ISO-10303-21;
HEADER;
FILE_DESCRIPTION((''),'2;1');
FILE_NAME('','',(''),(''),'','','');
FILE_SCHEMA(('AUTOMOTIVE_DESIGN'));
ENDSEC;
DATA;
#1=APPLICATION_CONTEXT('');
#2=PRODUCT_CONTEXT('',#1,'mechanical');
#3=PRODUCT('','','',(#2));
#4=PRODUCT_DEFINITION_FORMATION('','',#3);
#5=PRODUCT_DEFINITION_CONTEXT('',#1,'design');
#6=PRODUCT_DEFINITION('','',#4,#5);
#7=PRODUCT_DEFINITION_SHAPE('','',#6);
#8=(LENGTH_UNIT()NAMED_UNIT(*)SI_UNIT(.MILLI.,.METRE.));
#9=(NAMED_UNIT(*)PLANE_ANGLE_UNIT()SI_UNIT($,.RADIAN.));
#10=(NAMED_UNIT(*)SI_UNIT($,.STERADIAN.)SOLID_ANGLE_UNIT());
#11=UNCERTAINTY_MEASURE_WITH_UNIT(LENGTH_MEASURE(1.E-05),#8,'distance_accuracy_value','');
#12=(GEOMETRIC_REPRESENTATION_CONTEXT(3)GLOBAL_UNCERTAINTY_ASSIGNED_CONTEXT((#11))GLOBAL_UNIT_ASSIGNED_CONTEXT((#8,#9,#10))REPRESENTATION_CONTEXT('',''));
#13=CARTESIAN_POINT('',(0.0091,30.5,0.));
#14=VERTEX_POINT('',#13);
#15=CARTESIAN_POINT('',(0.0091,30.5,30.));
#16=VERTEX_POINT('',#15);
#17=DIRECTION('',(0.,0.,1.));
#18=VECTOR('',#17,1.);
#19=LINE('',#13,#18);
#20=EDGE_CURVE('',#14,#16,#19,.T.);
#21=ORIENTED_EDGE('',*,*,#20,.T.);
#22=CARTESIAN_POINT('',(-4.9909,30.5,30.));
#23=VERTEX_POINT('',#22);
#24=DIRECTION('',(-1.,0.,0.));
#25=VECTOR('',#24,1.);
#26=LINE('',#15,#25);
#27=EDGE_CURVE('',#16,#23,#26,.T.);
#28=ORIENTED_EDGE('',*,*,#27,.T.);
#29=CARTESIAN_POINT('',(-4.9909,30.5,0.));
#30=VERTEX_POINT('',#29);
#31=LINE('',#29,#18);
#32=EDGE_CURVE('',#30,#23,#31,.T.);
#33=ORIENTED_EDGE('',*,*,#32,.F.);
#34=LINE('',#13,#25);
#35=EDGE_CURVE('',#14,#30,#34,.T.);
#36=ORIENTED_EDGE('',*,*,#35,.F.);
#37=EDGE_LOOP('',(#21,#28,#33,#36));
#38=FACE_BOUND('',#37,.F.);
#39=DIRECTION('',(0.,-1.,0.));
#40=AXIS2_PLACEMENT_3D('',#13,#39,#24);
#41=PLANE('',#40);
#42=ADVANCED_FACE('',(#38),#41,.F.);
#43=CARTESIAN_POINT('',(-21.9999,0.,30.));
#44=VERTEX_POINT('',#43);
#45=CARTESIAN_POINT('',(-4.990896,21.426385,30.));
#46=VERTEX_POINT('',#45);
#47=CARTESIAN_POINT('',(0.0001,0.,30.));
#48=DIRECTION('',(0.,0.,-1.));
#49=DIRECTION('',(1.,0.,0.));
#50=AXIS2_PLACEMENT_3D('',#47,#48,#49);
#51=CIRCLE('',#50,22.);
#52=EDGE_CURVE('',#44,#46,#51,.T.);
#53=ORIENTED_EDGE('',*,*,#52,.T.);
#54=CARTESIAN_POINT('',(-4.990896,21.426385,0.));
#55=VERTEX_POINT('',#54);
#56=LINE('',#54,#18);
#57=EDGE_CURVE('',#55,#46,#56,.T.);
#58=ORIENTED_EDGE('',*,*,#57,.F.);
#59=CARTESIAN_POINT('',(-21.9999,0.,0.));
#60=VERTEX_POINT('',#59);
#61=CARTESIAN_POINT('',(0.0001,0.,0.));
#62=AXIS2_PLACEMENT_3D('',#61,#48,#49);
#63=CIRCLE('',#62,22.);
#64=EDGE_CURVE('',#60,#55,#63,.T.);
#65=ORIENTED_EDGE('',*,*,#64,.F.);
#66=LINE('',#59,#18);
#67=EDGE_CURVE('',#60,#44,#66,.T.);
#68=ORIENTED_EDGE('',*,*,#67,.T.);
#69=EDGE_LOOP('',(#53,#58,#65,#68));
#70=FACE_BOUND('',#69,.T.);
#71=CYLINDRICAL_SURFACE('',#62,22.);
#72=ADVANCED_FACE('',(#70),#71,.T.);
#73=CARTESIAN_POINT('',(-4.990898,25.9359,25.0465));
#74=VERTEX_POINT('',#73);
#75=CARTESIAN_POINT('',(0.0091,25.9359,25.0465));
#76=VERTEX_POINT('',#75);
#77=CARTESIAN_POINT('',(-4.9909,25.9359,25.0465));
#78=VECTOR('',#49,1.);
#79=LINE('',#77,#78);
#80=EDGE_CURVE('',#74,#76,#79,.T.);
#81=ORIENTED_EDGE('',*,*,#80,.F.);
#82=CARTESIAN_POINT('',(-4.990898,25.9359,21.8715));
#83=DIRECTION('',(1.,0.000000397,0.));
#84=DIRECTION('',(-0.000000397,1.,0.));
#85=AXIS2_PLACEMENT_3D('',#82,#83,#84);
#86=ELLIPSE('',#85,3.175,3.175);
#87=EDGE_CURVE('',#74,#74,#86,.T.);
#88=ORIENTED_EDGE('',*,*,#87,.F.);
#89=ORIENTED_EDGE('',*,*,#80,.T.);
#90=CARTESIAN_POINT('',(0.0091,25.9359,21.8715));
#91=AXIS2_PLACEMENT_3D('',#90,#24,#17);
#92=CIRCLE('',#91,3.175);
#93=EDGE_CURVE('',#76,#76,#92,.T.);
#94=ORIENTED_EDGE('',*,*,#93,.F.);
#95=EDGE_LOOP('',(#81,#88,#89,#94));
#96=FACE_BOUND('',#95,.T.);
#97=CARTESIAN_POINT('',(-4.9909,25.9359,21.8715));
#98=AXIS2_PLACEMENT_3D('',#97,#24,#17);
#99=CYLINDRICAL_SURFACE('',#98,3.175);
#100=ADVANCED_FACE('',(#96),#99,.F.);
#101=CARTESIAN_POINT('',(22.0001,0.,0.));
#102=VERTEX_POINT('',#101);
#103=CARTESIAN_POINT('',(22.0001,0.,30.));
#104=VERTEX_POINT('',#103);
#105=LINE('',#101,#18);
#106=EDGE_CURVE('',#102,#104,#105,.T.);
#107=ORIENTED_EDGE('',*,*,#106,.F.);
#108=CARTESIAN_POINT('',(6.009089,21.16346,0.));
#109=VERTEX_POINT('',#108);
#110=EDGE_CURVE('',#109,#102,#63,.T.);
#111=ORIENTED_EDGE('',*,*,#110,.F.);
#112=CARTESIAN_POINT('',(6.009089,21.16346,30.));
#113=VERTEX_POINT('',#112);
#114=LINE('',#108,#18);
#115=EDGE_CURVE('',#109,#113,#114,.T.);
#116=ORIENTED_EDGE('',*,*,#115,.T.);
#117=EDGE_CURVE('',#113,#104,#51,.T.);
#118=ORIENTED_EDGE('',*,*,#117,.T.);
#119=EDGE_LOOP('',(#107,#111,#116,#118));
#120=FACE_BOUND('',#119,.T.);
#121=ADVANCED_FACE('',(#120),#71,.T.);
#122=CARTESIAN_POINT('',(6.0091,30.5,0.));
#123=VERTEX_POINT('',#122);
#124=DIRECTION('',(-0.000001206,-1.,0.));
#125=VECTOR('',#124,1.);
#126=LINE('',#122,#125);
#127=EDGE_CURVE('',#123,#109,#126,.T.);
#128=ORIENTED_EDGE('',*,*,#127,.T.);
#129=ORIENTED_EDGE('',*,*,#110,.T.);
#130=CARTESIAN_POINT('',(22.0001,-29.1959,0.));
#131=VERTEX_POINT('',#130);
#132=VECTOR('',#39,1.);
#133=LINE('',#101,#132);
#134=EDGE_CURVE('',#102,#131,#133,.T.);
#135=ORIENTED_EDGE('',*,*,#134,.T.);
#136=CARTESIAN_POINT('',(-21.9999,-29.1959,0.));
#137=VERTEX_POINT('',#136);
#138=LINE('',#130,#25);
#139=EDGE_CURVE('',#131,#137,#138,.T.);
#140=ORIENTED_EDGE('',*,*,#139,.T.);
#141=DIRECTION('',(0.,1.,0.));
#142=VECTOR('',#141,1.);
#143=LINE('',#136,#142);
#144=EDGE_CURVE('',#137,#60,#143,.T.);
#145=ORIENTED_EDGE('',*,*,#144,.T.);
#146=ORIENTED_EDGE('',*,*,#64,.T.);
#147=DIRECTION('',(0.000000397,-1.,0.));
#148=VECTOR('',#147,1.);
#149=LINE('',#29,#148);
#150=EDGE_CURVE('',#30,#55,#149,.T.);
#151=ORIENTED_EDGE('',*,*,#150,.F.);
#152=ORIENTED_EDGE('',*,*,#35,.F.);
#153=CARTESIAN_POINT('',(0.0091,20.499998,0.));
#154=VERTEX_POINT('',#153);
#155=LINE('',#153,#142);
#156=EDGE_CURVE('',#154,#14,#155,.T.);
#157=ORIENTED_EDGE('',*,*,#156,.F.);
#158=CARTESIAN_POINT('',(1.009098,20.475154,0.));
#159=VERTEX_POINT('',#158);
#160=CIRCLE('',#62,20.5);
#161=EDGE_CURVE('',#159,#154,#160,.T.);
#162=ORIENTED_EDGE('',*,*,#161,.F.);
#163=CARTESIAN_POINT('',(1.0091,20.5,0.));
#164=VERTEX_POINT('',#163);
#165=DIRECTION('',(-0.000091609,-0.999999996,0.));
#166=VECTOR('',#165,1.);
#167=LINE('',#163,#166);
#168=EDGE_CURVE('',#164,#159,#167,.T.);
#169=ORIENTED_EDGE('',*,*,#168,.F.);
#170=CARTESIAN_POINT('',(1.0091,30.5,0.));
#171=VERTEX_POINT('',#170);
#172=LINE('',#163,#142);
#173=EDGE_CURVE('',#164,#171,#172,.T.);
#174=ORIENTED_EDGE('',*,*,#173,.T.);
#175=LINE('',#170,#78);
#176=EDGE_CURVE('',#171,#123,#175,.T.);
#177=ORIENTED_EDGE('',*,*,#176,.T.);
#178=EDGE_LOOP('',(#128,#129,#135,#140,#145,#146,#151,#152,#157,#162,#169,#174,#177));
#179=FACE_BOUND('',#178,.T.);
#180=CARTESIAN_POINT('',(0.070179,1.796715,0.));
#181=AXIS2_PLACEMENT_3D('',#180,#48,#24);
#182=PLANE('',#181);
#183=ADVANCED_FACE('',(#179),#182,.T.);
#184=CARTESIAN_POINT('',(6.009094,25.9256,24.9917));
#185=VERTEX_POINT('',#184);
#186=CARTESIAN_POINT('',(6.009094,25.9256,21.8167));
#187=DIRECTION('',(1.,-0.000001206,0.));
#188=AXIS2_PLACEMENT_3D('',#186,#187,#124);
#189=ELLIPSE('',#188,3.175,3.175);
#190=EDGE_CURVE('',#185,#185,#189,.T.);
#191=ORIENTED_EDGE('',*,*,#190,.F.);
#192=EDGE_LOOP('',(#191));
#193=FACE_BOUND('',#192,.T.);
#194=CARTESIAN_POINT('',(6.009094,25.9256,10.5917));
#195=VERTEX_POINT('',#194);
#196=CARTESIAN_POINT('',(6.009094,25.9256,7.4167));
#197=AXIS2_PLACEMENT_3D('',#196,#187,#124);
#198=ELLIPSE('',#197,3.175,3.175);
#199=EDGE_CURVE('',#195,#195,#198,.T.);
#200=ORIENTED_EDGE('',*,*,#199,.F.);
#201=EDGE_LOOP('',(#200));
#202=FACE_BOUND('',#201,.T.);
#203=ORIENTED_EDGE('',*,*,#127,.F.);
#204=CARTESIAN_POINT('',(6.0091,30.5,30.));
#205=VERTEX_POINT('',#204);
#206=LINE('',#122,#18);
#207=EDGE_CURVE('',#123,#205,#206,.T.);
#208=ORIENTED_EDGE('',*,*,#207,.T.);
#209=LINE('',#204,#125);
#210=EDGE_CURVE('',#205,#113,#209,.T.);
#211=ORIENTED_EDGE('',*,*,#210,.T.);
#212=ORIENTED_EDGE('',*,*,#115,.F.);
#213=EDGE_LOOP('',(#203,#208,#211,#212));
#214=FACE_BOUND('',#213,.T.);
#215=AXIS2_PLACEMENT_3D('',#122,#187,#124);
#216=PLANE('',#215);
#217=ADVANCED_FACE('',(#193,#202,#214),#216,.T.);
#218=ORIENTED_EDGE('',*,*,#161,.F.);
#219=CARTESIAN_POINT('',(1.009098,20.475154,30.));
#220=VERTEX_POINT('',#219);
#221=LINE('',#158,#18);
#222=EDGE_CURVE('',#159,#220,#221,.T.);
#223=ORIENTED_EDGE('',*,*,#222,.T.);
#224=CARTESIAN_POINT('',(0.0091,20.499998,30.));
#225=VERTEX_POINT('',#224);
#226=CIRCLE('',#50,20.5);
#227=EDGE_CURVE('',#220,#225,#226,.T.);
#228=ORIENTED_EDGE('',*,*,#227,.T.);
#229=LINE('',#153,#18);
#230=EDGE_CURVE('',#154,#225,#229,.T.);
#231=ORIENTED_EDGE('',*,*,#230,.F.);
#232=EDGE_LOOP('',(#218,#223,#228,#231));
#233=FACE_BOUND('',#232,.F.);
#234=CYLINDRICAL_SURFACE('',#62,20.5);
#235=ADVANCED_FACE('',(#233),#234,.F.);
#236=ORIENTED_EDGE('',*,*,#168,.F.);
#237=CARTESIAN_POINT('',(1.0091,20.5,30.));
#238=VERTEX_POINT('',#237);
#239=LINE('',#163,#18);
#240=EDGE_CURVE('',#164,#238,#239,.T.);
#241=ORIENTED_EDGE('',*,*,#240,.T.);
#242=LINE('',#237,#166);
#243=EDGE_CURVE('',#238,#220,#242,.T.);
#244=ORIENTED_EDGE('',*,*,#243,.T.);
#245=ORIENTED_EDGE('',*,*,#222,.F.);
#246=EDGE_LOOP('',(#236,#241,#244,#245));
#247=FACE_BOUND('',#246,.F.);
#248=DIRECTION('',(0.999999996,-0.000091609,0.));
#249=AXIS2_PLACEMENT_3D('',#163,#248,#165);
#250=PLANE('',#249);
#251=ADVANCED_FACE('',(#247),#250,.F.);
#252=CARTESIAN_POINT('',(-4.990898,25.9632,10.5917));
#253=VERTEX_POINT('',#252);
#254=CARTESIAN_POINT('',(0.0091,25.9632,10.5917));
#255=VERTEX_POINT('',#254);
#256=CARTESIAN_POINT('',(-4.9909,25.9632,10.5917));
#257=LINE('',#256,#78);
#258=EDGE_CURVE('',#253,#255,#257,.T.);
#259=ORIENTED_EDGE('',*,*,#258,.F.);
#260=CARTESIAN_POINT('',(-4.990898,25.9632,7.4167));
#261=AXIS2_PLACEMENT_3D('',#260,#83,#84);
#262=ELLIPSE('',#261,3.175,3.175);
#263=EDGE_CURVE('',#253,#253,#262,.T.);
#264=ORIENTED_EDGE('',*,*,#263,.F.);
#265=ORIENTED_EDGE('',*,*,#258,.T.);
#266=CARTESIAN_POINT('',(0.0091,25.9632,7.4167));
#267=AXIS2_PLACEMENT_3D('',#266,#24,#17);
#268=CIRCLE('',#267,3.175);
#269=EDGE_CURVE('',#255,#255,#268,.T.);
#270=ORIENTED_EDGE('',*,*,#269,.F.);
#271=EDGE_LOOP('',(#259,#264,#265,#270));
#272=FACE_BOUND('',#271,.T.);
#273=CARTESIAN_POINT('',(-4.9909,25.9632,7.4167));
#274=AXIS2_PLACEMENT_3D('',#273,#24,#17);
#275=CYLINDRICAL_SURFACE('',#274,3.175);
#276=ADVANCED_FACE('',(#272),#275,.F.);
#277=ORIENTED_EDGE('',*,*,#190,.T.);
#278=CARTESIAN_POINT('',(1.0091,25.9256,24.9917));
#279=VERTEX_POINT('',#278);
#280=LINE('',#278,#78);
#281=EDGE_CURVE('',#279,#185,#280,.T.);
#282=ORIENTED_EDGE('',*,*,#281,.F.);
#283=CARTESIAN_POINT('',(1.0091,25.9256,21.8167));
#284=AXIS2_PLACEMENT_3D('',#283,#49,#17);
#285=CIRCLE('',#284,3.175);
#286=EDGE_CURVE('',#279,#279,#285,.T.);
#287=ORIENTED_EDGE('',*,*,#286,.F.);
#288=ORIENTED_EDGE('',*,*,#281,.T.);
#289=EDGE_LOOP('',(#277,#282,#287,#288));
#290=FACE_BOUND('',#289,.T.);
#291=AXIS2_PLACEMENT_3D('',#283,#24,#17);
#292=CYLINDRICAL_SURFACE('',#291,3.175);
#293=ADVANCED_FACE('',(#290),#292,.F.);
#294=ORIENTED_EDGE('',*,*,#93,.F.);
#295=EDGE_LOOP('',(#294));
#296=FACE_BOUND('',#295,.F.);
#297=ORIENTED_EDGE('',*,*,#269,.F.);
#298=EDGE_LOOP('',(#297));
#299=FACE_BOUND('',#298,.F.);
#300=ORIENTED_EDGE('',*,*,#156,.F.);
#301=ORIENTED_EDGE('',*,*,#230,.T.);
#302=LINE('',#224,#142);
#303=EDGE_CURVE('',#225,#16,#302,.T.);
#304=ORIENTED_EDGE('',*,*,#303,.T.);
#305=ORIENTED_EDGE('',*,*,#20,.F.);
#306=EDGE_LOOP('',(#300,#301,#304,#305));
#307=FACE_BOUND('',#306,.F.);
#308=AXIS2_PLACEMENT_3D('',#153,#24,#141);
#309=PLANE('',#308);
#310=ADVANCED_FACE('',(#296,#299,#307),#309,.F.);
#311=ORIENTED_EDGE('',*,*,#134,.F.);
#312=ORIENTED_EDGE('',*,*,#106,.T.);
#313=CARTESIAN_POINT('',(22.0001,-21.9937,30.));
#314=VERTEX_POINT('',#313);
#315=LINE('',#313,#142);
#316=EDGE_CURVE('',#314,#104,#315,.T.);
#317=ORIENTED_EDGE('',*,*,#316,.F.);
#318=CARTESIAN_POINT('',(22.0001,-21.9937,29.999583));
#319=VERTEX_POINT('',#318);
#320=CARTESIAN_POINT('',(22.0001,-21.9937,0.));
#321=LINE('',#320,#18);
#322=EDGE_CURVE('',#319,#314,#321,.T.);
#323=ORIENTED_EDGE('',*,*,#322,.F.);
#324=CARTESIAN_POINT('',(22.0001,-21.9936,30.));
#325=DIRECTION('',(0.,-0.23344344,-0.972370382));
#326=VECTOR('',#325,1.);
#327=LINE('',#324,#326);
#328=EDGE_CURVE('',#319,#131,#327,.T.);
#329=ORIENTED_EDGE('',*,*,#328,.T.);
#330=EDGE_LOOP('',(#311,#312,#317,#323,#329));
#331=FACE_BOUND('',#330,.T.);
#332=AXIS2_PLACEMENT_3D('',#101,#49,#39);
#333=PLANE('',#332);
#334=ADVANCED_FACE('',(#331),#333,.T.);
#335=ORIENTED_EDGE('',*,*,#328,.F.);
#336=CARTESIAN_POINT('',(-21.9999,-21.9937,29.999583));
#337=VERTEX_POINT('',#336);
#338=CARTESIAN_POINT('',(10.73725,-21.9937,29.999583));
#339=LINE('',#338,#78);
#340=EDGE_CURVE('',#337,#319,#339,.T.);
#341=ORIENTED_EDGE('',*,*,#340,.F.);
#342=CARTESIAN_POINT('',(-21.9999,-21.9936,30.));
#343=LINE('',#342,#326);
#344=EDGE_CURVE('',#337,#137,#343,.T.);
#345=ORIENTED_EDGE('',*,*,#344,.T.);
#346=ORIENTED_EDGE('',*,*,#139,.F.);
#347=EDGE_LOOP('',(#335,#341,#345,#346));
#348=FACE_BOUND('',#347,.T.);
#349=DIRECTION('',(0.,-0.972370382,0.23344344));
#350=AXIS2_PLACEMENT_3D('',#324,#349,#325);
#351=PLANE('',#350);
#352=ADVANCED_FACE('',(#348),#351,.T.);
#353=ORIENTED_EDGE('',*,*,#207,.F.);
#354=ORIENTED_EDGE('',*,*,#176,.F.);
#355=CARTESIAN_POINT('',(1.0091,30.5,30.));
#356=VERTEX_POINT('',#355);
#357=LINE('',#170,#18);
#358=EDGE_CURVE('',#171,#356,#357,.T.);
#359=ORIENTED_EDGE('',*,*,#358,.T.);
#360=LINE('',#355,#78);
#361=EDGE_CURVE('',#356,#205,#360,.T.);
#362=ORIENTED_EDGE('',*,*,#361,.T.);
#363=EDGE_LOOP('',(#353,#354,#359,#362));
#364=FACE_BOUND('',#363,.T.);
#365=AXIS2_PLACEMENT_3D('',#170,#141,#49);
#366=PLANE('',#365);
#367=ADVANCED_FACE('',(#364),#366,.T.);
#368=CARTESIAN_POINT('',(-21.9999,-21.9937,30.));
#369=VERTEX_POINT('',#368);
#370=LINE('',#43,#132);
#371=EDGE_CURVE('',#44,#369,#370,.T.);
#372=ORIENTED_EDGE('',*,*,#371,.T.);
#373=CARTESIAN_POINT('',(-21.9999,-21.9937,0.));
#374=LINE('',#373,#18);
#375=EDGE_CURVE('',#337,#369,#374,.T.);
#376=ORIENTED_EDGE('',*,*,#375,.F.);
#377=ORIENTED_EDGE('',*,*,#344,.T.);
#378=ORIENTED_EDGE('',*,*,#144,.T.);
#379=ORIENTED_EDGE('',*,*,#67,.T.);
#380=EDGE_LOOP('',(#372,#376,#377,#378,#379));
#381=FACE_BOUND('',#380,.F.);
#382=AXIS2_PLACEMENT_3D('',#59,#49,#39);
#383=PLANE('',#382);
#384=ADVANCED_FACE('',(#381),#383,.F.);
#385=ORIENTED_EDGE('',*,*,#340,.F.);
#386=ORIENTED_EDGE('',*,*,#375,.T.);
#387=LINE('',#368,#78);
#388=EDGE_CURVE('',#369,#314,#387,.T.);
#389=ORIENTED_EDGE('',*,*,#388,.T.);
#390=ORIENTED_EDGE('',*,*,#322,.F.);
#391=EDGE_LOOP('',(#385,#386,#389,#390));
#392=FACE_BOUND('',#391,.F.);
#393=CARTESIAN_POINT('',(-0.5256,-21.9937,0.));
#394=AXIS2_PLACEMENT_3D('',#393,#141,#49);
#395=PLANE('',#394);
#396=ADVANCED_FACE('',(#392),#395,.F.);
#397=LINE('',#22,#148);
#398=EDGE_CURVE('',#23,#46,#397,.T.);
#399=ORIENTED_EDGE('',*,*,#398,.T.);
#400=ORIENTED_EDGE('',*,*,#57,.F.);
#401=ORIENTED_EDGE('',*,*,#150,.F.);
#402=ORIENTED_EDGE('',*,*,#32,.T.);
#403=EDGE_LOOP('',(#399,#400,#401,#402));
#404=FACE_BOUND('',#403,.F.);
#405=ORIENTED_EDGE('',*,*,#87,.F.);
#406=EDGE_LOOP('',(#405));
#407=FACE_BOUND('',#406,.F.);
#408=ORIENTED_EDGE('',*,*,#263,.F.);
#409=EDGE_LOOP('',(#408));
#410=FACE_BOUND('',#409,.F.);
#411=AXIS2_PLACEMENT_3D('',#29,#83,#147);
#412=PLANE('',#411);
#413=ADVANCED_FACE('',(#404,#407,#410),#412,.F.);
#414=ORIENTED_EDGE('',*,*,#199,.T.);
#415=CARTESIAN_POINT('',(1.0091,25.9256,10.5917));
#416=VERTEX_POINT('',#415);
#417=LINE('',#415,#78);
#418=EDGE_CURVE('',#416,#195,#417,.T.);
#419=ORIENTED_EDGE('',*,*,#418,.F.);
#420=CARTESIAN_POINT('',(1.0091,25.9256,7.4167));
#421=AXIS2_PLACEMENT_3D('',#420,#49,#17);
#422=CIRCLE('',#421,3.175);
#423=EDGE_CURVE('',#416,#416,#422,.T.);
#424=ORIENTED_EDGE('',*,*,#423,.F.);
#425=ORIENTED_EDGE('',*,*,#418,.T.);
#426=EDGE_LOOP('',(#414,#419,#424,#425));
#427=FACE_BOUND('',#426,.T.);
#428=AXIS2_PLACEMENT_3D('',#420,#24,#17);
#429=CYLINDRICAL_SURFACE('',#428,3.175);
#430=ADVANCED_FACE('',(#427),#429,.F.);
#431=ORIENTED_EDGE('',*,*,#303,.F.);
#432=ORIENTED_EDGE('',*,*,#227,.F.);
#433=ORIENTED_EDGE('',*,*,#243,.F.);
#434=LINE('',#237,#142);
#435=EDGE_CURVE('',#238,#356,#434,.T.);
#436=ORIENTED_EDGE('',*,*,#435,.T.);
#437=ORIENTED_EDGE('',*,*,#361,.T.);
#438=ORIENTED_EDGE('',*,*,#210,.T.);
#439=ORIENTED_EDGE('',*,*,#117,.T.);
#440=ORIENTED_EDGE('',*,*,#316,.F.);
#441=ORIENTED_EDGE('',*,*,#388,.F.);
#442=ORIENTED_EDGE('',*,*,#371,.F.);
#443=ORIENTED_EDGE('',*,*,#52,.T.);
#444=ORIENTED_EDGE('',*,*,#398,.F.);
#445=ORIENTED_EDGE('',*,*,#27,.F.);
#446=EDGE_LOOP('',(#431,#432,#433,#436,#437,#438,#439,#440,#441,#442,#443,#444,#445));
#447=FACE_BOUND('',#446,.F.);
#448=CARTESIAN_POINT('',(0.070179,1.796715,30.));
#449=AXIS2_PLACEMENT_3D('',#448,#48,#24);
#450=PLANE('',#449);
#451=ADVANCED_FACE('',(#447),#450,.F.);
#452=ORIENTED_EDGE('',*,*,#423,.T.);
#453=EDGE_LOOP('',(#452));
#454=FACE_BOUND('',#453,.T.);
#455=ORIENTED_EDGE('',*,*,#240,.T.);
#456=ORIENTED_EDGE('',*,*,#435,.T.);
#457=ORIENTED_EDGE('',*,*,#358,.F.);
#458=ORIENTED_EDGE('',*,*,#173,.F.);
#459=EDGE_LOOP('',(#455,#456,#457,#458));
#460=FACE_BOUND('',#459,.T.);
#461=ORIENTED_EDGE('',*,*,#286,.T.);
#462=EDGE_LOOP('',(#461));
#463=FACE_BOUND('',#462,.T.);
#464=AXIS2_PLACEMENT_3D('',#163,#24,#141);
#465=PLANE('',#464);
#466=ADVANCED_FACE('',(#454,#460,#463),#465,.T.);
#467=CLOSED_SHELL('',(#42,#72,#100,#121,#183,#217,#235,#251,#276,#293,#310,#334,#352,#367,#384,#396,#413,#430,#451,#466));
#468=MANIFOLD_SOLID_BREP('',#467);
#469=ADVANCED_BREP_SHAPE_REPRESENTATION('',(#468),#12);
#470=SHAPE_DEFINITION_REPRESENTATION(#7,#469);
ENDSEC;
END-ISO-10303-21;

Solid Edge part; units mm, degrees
sketch "Sketch1" plane through (0, 0, 0) normal (0, 0, 1) x (1, 0, 0)
  line L0 (6.0091, 30.5) -> (6.0091, 21.1635)
  line L1 (22.0001, 0) -> (22.0001, -21.9937)
  line L2 (-0.5256, -21.9937) -> (22.0001, -21.9937)
  line L3 (-0.5256, -21.9937) -> (-21.9999, -21.9937)
  line L4 (-21.9999, 0) -> (-21.9999, -21.9937)
  arc A0 (-21.9999, 0) -> (-4.9909, 21.4264) centre (0.0001, 0) cw
  line L5 (-4.9909, 30.5) -> (-4.9909, 21.4264)
  line L6 (0.0091, 30.5) -> (-4.9909, 30.5)
  line L7 (0.0091, 20.5) -> (0.0091, 30.5)
  line L8 (1.0091, 20.5) -> (1.0091, 20.4752)
  line L9 (1.0091, 20.5) -> (1.0091, 30.5)
  line L10 (1.0091, 30.5) -> (6.0091, 30.5)
  arc A1 (6.0091, 21.1635) -> (22.0001, 0) centre (0.0001, 0) cw
  arc A2 (1.0091, 20.4752) -> (0.0091, 20.5) centre (0.0001, 0) cw
extrude "Protrusion1" add sketch "Sketch1" along normal blind 30
hole "Hole_1" at (-4.9909, 25.9632, 7.4167) direction (1, 0, 0) diameter 6.35 end up to next
hole "Hole1" at (-4.9909, 25.9359, 21.8715) direction (1, 0, 0) diameter 6.35 end up to next
hole "Hole_3" at (1.0091, 25.9256, 7.4167) direction (1, 0, 0) diameter 6.35 end up to next
hole "Hole2" at (1.0091, 25.9256, 21.8167) direction (1, 0, 0) diameter 6.35 end up to next
sketch "Sketch2" plane through (22.0001, -10.9968, 15) normal (1, 0, 0) x (0, 1, 0)
  line L0 (-10.9968, 15) -> (-10.9968, -15)
  line L1 (-10.9968, -15) -> (-18.1991, -15)
  line L2 (-10.9968, 15) -> (-18.1991, -15)
extrude "ExtrudedProtrusion_2" add sketch "Sketch2" against normal blind 44
